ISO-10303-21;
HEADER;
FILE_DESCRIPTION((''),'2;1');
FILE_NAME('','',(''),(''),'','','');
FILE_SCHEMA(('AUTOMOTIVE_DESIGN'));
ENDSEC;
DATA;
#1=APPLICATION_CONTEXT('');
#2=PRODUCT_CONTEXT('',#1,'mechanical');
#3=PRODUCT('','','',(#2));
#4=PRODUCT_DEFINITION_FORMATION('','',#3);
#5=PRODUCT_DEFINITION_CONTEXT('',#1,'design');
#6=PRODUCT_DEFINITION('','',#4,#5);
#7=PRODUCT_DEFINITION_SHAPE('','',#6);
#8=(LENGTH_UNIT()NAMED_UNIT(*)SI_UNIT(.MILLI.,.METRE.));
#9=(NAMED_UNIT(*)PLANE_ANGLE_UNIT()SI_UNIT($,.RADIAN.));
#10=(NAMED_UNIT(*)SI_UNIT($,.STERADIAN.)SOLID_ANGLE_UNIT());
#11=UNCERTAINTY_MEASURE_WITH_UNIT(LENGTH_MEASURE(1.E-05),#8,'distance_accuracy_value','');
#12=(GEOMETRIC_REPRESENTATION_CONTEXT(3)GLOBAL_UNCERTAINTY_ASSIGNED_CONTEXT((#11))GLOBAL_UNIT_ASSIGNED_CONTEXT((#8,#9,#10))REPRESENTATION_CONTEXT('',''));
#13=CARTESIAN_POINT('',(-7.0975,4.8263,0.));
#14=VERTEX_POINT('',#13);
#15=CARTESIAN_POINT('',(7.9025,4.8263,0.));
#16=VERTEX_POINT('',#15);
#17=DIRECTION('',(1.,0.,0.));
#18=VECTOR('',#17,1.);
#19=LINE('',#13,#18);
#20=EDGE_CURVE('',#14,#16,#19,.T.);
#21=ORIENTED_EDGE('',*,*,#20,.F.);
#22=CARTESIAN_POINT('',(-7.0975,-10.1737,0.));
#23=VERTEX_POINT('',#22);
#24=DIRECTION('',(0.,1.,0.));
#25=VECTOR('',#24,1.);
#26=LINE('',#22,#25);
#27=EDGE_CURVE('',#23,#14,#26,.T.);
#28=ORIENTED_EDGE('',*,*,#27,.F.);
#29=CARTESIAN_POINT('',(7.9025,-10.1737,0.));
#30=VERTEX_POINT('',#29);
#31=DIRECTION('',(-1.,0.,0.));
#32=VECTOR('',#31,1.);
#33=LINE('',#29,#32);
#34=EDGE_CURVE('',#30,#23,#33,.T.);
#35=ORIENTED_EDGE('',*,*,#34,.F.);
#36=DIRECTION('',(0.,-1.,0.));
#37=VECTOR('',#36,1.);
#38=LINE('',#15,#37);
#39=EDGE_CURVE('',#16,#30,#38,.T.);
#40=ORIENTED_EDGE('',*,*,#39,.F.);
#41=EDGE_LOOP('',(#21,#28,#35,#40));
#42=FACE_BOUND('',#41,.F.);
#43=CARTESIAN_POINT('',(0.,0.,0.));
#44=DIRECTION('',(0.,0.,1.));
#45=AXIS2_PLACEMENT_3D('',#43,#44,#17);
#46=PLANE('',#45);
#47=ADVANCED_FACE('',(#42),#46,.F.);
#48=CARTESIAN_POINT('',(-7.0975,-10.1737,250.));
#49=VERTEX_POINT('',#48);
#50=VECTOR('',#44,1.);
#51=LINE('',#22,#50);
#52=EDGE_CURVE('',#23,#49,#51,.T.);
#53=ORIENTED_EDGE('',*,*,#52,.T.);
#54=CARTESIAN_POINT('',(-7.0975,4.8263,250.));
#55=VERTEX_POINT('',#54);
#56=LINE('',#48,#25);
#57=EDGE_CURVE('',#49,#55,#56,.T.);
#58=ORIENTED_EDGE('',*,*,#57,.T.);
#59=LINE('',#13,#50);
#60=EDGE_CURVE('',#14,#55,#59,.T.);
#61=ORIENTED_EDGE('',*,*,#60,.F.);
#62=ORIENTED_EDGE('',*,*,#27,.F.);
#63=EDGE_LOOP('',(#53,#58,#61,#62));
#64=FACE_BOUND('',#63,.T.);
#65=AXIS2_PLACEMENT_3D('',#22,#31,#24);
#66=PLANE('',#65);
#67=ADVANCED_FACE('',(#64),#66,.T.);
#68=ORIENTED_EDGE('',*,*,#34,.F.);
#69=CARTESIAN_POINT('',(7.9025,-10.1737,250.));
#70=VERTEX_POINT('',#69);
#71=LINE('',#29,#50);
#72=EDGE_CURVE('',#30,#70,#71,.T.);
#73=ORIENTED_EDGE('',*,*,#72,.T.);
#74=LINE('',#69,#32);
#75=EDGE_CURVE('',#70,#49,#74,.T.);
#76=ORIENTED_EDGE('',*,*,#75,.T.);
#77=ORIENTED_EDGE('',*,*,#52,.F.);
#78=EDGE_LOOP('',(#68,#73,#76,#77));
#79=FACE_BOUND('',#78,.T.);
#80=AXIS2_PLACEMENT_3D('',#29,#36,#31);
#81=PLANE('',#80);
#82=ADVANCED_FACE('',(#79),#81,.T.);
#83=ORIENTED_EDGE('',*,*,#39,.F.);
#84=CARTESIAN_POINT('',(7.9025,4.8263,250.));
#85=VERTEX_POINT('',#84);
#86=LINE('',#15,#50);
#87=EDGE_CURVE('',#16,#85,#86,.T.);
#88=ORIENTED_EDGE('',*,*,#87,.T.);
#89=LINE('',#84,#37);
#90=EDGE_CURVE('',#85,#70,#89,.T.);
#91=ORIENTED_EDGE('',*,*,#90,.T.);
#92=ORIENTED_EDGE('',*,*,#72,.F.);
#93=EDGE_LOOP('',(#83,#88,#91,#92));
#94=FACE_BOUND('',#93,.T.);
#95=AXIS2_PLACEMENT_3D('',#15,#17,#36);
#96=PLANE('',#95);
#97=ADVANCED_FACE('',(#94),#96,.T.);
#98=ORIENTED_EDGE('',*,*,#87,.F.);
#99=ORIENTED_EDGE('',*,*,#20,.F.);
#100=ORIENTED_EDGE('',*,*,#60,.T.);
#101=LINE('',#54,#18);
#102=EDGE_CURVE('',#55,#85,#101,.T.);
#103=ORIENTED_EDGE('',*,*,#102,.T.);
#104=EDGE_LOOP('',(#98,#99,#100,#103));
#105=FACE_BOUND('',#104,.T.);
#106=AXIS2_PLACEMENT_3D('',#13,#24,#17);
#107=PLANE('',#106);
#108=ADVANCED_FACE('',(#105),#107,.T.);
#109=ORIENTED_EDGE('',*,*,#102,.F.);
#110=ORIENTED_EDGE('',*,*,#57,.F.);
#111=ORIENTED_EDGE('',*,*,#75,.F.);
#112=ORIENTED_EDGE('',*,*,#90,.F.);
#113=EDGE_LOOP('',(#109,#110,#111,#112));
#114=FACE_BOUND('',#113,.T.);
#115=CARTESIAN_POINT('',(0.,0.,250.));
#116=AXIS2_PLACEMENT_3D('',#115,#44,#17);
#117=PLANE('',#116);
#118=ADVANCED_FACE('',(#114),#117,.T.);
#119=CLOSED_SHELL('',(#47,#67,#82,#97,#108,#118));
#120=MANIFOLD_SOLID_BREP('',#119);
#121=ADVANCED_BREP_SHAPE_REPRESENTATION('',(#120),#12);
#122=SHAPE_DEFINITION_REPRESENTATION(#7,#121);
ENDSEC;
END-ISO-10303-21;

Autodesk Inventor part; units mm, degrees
ref_plane "YZ Plane" through (0, 0, 0) normal (1, 0, 0) x (0, 1, 0)
ref_plane "XZ Plane" through (0, 0, 0) normal (0, 1, 0) x (-1, 0, 0)
ref_plane "XY Plane" through (0, 0, 0) normal (0, 0, 1) x (1, 0, 0)
sketch "スケッチ1" plane through (0, 0, 0) normal (0, 0, 1) x (1, 0, 0)
  line L0 (-7.0975, 4.8263) -> (7.9025, 4.8263)
  line L1 (7.9025, 4.8263) -> (7.9025, -10.1737)
  line L2 (7.9025, -10.1737) -> (-7.0975, -10.1737)
  line L3 (-7.0975, -10.1737) -> (-7.0975, 4.8263)
  point P0 (0, 0)
  dimension "d0" = 15
  dimension "d1" = 15
extrude "押し出し1" add sketch "スケッチ1" along normal blind 250
equation "\"BendRadius\" = Thickness"
equation "\"BendReliefWidth\" = Thickness"
equation "\"BendReliefDepth\" = 0.5 * Thickness"
equation "\"CornerReliefSize\" = 4 * Thickness"
equation "\"MinimumRemnant\" = 2 * Thickness"
equation "\"TransitionRadius\" = BendRadius"
equation "\"JacobiRadiusSize\" = BendRadius"
equation "\"GapSize\" = Thickness"
equation "\"Thickness\" = 0.5"
properties part number "nhk4"
